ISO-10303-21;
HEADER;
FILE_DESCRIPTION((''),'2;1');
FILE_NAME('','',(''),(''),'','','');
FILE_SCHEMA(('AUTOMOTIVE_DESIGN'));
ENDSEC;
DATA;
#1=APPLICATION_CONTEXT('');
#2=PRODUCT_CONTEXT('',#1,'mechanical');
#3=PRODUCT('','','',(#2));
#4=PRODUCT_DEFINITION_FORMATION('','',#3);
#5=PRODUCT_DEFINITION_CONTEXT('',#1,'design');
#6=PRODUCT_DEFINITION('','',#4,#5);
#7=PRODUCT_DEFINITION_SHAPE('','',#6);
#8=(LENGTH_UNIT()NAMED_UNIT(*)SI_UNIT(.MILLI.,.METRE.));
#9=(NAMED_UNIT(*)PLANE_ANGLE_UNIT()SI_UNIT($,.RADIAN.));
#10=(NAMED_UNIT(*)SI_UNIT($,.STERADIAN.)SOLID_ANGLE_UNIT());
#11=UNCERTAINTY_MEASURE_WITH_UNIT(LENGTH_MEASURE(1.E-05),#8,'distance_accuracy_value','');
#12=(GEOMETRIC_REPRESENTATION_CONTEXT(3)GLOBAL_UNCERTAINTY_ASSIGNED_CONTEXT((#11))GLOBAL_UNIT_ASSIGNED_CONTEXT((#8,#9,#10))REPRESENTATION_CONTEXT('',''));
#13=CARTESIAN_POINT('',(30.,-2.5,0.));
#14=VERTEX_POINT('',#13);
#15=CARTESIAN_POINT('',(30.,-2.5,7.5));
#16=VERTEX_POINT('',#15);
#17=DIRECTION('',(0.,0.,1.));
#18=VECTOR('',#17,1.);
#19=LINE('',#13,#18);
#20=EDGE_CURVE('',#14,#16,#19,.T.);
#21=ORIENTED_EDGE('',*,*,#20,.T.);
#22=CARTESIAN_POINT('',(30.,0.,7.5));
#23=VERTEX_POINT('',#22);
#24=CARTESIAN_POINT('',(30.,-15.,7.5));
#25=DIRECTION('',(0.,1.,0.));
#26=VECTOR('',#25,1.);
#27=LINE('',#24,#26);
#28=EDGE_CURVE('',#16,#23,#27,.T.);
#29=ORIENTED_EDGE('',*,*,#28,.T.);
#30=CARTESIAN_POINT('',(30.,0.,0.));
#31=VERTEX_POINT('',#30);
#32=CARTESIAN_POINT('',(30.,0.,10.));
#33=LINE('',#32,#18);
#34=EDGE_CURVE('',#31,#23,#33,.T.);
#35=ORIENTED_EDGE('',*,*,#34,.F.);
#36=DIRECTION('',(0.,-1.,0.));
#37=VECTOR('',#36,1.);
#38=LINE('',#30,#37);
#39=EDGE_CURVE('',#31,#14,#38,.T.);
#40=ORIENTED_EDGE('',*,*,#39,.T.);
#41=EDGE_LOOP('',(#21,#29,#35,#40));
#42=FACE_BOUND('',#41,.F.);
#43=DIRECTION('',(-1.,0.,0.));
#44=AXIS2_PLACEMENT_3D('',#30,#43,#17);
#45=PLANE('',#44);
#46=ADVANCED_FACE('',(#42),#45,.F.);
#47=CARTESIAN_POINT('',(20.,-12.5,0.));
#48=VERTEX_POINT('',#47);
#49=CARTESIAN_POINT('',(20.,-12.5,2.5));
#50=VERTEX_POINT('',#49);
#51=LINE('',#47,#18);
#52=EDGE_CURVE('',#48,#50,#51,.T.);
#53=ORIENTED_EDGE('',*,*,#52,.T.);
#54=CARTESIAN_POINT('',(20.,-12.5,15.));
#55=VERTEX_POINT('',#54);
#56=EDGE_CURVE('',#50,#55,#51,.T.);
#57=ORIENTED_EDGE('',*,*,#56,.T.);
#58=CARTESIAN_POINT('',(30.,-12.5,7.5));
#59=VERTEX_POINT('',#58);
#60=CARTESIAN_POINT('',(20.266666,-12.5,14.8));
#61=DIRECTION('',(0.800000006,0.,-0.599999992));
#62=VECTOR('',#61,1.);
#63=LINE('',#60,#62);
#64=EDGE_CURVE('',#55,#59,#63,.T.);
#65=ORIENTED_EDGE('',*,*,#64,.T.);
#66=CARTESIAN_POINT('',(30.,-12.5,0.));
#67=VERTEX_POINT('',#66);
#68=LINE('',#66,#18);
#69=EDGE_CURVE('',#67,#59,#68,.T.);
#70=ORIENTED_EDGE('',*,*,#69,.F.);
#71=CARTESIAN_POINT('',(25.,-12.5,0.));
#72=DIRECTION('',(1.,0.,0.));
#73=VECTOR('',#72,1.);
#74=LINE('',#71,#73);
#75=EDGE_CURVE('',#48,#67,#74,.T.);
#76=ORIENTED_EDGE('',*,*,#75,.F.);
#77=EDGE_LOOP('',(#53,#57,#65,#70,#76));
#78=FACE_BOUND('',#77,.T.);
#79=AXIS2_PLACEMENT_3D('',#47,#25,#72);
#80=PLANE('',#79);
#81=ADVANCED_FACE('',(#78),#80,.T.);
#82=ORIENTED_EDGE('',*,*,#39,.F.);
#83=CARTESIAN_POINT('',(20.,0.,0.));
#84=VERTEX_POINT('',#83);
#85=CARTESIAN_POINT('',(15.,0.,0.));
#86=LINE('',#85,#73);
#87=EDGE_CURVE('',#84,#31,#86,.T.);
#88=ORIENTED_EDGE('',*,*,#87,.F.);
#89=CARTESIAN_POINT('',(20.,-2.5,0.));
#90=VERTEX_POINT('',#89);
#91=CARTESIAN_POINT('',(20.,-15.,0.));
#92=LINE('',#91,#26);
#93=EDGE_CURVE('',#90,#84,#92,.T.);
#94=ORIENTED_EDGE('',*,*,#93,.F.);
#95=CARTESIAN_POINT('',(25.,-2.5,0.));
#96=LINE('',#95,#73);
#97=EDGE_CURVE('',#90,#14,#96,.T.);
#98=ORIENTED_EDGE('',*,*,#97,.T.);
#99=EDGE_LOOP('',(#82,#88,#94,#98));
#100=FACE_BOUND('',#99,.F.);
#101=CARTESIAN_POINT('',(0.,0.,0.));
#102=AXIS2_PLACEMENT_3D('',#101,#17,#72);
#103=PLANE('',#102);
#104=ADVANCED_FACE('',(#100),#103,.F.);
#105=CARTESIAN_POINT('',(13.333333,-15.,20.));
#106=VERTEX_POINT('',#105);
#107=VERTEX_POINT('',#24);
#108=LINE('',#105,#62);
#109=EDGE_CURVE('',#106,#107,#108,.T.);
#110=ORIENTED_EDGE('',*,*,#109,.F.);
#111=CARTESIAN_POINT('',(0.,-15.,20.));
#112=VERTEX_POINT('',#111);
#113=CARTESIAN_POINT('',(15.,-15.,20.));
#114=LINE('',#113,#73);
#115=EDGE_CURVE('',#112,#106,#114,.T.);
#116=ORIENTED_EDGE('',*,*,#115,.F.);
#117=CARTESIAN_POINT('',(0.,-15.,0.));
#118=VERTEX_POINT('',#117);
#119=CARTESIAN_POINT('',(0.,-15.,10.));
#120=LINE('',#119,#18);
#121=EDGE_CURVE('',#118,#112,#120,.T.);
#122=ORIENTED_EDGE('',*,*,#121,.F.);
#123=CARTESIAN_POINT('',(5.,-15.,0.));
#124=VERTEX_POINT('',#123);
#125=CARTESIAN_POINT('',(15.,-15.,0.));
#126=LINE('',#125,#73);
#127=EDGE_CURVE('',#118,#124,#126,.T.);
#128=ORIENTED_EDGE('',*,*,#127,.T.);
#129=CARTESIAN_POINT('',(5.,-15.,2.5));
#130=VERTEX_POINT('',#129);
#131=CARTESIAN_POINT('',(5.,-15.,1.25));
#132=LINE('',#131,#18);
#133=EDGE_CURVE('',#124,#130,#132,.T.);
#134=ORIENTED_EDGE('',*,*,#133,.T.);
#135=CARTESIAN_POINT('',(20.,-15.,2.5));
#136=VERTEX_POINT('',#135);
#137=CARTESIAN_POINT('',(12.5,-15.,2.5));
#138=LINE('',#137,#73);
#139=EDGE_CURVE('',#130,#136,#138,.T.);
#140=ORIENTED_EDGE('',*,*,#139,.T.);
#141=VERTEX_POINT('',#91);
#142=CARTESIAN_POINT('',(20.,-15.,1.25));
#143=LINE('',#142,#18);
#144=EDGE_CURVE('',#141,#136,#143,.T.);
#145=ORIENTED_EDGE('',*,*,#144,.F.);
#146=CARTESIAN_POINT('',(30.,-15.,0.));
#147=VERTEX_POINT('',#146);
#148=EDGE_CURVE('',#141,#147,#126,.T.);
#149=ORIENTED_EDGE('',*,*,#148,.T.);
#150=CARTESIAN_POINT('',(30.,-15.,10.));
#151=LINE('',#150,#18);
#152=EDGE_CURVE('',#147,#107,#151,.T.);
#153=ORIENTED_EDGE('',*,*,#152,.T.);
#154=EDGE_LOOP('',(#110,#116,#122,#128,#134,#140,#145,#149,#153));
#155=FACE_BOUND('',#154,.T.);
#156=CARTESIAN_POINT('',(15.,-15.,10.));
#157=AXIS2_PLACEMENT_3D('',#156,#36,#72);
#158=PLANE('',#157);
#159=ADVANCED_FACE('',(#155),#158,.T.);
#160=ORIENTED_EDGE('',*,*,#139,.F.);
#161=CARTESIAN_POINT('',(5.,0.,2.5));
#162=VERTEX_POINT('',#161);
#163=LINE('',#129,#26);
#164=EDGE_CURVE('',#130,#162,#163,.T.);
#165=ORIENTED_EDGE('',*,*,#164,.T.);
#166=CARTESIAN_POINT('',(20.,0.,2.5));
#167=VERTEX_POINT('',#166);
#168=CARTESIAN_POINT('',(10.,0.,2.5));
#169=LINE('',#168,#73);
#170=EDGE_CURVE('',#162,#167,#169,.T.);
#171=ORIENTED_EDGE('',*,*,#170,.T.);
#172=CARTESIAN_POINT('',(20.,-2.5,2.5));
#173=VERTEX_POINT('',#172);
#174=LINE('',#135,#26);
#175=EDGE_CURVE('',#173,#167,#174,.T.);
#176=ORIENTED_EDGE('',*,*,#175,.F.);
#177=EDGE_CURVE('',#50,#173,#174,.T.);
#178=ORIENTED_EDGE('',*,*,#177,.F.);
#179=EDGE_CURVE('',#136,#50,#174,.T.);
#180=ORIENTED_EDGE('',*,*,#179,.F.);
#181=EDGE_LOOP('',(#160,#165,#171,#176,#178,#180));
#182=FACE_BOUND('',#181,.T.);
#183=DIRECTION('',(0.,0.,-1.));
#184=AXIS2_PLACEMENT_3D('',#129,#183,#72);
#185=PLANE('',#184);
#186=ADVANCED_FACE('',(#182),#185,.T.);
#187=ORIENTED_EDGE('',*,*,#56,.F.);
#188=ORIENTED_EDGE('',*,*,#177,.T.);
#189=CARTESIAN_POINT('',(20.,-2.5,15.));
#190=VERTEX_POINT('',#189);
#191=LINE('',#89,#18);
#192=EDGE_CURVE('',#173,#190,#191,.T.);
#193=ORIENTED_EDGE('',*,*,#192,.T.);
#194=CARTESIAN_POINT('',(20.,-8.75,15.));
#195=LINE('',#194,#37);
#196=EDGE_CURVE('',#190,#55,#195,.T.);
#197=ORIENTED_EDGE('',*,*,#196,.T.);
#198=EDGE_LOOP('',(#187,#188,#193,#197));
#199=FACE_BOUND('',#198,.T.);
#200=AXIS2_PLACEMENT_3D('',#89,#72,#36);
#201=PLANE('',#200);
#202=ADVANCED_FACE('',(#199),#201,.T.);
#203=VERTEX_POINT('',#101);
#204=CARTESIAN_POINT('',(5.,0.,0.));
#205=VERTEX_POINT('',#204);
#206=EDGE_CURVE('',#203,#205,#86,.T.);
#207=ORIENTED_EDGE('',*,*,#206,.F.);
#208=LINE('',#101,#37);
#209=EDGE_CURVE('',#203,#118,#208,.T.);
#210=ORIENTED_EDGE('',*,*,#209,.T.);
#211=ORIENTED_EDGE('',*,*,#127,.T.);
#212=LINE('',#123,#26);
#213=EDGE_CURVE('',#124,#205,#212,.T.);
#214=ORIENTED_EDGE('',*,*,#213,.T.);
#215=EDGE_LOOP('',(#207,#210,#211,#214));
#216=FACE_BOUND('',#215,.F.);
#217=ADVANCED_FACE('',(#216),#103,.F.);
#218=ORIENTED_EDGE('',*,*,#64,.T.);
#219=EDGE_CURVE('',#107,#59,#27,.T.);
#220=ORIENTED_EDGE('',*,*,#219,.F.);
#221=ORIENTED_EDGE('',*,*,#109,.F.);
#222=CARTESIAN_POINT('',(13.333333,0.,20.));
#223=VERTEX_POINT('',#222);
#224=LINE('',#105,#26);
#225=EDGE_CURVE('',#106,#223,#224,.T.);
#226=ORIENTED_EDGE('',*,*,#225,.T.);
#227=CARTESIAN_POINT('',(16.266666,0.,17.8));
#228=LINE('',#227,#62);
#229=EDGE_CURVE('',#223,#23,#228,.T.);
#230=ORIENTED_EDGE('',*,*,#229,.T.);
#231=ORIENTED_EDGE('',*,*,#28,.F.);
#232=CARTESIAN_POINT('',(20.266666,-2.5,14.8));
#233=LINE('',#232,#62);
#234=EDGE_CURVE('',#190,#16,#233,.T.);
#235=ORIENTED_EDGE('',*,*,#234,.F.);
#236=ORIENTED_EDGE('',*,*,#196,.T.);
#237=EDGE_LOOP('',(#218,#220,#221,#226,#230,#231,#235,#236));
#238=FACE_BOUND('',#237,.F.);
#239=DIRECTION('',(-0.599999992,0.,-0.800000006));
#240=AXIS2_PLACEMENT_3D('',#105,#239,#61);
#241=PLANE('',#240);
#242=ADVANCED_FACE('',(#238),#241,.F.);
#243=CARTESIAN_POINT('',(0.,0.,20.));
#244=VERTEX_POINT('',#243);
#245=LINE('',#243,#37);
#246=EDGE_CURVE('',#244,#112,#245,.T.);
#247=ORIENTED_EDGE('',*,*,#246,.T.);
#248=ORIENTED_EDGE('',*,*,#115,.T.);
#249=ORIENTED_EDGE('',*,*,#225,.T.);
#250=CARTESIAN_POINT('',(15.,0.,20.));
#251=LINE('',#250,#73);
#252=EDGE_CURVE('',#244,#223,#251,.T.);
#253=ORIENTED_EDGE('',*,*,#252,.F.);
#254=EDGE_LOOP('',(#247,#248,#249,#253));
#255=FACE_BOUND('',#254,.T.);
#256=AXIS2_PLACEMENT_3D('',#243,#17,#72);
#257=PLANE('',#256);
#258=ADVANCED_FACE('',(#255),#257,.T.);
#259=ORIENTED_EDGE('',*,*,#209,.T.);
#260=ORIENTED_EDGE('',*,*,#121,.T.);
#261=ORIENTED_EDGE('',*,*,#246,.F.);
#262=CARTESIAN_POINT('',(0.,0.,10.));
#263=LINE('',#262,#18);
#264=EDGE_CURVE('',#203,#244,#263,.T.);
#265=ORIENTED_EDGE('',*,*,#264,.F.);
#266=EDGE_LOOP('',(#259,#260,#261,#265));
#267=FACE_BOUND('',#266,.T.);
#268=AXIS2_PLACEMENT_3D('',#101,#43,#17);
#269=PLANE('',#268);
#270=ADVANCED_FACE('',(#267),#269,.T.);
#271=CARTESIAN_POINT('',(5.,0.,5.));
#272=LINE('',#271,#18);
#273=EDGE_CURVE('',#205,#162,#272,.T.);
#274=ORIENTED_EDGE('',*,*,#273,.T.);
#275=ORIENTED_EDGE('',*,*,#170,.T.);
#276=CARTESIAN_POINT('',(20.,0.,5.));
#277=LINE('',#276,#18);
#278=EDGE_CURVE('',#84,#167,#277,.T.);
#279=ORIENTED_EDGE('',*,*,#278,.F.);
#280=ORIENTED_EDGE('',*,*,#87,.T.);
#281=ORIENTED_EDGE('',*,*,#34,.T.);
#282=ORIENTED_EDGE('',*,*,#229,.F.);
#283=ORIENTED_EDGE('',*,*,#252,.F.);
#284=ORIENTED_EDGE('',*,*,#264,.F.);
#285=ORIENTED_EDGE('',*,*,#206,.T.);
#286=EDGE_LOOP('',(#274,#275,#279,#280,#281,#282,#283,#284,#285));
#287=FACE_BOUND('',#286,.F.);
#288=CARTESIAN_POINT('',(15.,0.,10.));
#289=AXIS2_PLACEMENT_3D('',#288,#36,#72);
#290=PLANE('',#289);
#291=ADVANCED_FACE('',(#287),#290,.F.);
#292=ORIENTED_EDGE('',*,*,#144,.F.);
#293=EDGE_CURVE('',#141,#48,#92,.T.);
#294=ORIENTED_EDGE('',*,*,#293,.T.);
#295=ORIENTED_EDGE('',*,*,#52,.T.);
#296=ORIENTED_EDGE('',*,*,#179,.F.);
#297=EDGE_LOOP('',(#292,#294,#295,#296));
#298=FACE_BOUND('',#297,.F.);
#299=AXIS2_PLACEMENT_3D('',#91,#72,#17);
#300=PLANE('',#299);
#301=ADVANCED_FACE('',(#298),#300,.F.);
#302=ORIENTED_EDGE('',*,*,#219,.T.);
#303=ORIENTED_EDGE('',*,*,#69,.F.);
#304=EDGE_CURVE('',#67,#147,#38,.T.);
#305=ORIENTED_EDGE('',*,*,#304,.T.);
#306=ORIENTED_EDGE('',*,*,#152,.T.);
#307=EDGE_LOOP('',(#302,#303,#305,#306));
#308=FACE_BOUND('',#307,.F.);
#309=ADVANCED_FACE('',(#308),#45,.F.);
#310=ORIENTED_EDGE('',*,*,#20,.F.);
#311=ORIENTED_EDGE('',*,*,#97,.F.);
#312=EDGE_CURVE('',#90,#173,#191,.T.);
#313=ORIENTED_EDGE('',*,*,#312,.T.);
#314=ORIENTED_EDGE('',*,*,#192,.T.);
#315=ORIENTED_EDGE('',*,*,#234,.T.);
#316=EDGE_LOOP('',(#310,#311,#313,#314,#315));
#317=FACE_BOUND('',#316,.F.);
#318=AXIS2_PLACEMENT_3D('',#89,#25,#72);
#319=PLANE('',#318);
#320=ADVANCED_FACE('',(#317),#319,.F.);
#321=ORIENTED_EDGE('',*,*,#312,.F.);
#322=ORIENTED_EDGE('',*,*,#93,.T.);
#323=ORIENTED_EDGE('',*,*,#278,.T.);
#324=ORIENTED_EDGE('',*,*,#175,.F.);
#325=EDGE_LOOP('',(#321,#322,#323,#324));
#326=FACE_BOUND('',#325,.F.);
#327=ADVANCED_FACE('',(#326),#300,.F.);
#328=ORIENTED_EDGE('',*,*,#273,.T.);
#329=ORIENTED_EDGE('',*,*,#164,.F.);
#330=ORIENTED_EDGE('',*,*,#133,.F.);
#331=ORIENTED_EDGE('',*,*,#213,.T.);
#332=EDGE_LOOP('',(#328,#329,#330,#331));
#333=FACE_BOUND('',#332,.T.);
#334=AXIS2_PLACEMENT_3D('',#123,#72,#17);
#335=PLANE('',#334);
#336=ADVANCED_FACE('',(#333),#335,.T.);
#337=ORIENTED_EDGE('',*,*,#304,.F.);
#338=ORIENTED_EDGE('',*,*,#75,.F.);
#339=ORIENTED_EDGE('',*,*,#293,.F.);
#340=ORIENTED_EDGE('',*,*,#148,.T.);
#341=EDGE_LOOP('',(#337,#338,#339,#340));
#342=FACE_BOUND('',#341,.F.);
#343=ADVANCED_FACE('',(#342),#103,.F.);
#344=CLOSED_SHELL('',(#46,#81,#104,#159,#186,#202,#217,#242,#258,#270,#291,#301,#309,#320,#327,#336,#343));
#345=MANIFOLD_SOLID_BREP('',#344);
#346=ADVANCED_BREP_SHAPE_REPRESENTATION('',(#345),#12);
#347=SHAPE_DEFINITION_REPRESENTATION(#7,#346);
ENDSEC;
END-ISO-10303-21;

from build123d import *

# Parameters (mm, degrees)
F0_W     = 30
F0_H     = 20
F1_DEPTH = 15
F2_W     = 15
F2_H     = 2.5
F3_DEPTH = 15.001
F4_W     = 10
F4_H     = 10
F5_DEPTH = 20.001


with BuildPart() as f1:
    # F0 (on Front) → F1 (new body)
    with BuildSketch(Plane.XZ):
        with Locations((15, 10)):
            Rectangle(F0_W, F0_H)
    extrude(amount=F1_DEPTH)

    # F2 (on face) → F3 (cut, through all)
    with BuildSketch(Plane.XZ.offset(15)):
        with Locations((12.5, 1.25)):
            Rectangle(F2_W, F2_H)
        Polygon((30, 7.5), (30, 20), (13.333333, 20), align=None)
    extrude(amount=-F3_DEPTH, mode=Mode.SUBTRACT)

    # F4 (on face) → F5 (cut, through all)
    with BuildSketch(Plane(origin=(0, 0, 0), x_dir=(1, 0, 0), z_dir=(0, 0, -1))):
        with Locations((25, 7.5)):
            Rectangle(F4_W, F4_H)
    extrude(amount=-F5_DEPTH, mode=Mode.SUBTRACT)


solid = f1.part
